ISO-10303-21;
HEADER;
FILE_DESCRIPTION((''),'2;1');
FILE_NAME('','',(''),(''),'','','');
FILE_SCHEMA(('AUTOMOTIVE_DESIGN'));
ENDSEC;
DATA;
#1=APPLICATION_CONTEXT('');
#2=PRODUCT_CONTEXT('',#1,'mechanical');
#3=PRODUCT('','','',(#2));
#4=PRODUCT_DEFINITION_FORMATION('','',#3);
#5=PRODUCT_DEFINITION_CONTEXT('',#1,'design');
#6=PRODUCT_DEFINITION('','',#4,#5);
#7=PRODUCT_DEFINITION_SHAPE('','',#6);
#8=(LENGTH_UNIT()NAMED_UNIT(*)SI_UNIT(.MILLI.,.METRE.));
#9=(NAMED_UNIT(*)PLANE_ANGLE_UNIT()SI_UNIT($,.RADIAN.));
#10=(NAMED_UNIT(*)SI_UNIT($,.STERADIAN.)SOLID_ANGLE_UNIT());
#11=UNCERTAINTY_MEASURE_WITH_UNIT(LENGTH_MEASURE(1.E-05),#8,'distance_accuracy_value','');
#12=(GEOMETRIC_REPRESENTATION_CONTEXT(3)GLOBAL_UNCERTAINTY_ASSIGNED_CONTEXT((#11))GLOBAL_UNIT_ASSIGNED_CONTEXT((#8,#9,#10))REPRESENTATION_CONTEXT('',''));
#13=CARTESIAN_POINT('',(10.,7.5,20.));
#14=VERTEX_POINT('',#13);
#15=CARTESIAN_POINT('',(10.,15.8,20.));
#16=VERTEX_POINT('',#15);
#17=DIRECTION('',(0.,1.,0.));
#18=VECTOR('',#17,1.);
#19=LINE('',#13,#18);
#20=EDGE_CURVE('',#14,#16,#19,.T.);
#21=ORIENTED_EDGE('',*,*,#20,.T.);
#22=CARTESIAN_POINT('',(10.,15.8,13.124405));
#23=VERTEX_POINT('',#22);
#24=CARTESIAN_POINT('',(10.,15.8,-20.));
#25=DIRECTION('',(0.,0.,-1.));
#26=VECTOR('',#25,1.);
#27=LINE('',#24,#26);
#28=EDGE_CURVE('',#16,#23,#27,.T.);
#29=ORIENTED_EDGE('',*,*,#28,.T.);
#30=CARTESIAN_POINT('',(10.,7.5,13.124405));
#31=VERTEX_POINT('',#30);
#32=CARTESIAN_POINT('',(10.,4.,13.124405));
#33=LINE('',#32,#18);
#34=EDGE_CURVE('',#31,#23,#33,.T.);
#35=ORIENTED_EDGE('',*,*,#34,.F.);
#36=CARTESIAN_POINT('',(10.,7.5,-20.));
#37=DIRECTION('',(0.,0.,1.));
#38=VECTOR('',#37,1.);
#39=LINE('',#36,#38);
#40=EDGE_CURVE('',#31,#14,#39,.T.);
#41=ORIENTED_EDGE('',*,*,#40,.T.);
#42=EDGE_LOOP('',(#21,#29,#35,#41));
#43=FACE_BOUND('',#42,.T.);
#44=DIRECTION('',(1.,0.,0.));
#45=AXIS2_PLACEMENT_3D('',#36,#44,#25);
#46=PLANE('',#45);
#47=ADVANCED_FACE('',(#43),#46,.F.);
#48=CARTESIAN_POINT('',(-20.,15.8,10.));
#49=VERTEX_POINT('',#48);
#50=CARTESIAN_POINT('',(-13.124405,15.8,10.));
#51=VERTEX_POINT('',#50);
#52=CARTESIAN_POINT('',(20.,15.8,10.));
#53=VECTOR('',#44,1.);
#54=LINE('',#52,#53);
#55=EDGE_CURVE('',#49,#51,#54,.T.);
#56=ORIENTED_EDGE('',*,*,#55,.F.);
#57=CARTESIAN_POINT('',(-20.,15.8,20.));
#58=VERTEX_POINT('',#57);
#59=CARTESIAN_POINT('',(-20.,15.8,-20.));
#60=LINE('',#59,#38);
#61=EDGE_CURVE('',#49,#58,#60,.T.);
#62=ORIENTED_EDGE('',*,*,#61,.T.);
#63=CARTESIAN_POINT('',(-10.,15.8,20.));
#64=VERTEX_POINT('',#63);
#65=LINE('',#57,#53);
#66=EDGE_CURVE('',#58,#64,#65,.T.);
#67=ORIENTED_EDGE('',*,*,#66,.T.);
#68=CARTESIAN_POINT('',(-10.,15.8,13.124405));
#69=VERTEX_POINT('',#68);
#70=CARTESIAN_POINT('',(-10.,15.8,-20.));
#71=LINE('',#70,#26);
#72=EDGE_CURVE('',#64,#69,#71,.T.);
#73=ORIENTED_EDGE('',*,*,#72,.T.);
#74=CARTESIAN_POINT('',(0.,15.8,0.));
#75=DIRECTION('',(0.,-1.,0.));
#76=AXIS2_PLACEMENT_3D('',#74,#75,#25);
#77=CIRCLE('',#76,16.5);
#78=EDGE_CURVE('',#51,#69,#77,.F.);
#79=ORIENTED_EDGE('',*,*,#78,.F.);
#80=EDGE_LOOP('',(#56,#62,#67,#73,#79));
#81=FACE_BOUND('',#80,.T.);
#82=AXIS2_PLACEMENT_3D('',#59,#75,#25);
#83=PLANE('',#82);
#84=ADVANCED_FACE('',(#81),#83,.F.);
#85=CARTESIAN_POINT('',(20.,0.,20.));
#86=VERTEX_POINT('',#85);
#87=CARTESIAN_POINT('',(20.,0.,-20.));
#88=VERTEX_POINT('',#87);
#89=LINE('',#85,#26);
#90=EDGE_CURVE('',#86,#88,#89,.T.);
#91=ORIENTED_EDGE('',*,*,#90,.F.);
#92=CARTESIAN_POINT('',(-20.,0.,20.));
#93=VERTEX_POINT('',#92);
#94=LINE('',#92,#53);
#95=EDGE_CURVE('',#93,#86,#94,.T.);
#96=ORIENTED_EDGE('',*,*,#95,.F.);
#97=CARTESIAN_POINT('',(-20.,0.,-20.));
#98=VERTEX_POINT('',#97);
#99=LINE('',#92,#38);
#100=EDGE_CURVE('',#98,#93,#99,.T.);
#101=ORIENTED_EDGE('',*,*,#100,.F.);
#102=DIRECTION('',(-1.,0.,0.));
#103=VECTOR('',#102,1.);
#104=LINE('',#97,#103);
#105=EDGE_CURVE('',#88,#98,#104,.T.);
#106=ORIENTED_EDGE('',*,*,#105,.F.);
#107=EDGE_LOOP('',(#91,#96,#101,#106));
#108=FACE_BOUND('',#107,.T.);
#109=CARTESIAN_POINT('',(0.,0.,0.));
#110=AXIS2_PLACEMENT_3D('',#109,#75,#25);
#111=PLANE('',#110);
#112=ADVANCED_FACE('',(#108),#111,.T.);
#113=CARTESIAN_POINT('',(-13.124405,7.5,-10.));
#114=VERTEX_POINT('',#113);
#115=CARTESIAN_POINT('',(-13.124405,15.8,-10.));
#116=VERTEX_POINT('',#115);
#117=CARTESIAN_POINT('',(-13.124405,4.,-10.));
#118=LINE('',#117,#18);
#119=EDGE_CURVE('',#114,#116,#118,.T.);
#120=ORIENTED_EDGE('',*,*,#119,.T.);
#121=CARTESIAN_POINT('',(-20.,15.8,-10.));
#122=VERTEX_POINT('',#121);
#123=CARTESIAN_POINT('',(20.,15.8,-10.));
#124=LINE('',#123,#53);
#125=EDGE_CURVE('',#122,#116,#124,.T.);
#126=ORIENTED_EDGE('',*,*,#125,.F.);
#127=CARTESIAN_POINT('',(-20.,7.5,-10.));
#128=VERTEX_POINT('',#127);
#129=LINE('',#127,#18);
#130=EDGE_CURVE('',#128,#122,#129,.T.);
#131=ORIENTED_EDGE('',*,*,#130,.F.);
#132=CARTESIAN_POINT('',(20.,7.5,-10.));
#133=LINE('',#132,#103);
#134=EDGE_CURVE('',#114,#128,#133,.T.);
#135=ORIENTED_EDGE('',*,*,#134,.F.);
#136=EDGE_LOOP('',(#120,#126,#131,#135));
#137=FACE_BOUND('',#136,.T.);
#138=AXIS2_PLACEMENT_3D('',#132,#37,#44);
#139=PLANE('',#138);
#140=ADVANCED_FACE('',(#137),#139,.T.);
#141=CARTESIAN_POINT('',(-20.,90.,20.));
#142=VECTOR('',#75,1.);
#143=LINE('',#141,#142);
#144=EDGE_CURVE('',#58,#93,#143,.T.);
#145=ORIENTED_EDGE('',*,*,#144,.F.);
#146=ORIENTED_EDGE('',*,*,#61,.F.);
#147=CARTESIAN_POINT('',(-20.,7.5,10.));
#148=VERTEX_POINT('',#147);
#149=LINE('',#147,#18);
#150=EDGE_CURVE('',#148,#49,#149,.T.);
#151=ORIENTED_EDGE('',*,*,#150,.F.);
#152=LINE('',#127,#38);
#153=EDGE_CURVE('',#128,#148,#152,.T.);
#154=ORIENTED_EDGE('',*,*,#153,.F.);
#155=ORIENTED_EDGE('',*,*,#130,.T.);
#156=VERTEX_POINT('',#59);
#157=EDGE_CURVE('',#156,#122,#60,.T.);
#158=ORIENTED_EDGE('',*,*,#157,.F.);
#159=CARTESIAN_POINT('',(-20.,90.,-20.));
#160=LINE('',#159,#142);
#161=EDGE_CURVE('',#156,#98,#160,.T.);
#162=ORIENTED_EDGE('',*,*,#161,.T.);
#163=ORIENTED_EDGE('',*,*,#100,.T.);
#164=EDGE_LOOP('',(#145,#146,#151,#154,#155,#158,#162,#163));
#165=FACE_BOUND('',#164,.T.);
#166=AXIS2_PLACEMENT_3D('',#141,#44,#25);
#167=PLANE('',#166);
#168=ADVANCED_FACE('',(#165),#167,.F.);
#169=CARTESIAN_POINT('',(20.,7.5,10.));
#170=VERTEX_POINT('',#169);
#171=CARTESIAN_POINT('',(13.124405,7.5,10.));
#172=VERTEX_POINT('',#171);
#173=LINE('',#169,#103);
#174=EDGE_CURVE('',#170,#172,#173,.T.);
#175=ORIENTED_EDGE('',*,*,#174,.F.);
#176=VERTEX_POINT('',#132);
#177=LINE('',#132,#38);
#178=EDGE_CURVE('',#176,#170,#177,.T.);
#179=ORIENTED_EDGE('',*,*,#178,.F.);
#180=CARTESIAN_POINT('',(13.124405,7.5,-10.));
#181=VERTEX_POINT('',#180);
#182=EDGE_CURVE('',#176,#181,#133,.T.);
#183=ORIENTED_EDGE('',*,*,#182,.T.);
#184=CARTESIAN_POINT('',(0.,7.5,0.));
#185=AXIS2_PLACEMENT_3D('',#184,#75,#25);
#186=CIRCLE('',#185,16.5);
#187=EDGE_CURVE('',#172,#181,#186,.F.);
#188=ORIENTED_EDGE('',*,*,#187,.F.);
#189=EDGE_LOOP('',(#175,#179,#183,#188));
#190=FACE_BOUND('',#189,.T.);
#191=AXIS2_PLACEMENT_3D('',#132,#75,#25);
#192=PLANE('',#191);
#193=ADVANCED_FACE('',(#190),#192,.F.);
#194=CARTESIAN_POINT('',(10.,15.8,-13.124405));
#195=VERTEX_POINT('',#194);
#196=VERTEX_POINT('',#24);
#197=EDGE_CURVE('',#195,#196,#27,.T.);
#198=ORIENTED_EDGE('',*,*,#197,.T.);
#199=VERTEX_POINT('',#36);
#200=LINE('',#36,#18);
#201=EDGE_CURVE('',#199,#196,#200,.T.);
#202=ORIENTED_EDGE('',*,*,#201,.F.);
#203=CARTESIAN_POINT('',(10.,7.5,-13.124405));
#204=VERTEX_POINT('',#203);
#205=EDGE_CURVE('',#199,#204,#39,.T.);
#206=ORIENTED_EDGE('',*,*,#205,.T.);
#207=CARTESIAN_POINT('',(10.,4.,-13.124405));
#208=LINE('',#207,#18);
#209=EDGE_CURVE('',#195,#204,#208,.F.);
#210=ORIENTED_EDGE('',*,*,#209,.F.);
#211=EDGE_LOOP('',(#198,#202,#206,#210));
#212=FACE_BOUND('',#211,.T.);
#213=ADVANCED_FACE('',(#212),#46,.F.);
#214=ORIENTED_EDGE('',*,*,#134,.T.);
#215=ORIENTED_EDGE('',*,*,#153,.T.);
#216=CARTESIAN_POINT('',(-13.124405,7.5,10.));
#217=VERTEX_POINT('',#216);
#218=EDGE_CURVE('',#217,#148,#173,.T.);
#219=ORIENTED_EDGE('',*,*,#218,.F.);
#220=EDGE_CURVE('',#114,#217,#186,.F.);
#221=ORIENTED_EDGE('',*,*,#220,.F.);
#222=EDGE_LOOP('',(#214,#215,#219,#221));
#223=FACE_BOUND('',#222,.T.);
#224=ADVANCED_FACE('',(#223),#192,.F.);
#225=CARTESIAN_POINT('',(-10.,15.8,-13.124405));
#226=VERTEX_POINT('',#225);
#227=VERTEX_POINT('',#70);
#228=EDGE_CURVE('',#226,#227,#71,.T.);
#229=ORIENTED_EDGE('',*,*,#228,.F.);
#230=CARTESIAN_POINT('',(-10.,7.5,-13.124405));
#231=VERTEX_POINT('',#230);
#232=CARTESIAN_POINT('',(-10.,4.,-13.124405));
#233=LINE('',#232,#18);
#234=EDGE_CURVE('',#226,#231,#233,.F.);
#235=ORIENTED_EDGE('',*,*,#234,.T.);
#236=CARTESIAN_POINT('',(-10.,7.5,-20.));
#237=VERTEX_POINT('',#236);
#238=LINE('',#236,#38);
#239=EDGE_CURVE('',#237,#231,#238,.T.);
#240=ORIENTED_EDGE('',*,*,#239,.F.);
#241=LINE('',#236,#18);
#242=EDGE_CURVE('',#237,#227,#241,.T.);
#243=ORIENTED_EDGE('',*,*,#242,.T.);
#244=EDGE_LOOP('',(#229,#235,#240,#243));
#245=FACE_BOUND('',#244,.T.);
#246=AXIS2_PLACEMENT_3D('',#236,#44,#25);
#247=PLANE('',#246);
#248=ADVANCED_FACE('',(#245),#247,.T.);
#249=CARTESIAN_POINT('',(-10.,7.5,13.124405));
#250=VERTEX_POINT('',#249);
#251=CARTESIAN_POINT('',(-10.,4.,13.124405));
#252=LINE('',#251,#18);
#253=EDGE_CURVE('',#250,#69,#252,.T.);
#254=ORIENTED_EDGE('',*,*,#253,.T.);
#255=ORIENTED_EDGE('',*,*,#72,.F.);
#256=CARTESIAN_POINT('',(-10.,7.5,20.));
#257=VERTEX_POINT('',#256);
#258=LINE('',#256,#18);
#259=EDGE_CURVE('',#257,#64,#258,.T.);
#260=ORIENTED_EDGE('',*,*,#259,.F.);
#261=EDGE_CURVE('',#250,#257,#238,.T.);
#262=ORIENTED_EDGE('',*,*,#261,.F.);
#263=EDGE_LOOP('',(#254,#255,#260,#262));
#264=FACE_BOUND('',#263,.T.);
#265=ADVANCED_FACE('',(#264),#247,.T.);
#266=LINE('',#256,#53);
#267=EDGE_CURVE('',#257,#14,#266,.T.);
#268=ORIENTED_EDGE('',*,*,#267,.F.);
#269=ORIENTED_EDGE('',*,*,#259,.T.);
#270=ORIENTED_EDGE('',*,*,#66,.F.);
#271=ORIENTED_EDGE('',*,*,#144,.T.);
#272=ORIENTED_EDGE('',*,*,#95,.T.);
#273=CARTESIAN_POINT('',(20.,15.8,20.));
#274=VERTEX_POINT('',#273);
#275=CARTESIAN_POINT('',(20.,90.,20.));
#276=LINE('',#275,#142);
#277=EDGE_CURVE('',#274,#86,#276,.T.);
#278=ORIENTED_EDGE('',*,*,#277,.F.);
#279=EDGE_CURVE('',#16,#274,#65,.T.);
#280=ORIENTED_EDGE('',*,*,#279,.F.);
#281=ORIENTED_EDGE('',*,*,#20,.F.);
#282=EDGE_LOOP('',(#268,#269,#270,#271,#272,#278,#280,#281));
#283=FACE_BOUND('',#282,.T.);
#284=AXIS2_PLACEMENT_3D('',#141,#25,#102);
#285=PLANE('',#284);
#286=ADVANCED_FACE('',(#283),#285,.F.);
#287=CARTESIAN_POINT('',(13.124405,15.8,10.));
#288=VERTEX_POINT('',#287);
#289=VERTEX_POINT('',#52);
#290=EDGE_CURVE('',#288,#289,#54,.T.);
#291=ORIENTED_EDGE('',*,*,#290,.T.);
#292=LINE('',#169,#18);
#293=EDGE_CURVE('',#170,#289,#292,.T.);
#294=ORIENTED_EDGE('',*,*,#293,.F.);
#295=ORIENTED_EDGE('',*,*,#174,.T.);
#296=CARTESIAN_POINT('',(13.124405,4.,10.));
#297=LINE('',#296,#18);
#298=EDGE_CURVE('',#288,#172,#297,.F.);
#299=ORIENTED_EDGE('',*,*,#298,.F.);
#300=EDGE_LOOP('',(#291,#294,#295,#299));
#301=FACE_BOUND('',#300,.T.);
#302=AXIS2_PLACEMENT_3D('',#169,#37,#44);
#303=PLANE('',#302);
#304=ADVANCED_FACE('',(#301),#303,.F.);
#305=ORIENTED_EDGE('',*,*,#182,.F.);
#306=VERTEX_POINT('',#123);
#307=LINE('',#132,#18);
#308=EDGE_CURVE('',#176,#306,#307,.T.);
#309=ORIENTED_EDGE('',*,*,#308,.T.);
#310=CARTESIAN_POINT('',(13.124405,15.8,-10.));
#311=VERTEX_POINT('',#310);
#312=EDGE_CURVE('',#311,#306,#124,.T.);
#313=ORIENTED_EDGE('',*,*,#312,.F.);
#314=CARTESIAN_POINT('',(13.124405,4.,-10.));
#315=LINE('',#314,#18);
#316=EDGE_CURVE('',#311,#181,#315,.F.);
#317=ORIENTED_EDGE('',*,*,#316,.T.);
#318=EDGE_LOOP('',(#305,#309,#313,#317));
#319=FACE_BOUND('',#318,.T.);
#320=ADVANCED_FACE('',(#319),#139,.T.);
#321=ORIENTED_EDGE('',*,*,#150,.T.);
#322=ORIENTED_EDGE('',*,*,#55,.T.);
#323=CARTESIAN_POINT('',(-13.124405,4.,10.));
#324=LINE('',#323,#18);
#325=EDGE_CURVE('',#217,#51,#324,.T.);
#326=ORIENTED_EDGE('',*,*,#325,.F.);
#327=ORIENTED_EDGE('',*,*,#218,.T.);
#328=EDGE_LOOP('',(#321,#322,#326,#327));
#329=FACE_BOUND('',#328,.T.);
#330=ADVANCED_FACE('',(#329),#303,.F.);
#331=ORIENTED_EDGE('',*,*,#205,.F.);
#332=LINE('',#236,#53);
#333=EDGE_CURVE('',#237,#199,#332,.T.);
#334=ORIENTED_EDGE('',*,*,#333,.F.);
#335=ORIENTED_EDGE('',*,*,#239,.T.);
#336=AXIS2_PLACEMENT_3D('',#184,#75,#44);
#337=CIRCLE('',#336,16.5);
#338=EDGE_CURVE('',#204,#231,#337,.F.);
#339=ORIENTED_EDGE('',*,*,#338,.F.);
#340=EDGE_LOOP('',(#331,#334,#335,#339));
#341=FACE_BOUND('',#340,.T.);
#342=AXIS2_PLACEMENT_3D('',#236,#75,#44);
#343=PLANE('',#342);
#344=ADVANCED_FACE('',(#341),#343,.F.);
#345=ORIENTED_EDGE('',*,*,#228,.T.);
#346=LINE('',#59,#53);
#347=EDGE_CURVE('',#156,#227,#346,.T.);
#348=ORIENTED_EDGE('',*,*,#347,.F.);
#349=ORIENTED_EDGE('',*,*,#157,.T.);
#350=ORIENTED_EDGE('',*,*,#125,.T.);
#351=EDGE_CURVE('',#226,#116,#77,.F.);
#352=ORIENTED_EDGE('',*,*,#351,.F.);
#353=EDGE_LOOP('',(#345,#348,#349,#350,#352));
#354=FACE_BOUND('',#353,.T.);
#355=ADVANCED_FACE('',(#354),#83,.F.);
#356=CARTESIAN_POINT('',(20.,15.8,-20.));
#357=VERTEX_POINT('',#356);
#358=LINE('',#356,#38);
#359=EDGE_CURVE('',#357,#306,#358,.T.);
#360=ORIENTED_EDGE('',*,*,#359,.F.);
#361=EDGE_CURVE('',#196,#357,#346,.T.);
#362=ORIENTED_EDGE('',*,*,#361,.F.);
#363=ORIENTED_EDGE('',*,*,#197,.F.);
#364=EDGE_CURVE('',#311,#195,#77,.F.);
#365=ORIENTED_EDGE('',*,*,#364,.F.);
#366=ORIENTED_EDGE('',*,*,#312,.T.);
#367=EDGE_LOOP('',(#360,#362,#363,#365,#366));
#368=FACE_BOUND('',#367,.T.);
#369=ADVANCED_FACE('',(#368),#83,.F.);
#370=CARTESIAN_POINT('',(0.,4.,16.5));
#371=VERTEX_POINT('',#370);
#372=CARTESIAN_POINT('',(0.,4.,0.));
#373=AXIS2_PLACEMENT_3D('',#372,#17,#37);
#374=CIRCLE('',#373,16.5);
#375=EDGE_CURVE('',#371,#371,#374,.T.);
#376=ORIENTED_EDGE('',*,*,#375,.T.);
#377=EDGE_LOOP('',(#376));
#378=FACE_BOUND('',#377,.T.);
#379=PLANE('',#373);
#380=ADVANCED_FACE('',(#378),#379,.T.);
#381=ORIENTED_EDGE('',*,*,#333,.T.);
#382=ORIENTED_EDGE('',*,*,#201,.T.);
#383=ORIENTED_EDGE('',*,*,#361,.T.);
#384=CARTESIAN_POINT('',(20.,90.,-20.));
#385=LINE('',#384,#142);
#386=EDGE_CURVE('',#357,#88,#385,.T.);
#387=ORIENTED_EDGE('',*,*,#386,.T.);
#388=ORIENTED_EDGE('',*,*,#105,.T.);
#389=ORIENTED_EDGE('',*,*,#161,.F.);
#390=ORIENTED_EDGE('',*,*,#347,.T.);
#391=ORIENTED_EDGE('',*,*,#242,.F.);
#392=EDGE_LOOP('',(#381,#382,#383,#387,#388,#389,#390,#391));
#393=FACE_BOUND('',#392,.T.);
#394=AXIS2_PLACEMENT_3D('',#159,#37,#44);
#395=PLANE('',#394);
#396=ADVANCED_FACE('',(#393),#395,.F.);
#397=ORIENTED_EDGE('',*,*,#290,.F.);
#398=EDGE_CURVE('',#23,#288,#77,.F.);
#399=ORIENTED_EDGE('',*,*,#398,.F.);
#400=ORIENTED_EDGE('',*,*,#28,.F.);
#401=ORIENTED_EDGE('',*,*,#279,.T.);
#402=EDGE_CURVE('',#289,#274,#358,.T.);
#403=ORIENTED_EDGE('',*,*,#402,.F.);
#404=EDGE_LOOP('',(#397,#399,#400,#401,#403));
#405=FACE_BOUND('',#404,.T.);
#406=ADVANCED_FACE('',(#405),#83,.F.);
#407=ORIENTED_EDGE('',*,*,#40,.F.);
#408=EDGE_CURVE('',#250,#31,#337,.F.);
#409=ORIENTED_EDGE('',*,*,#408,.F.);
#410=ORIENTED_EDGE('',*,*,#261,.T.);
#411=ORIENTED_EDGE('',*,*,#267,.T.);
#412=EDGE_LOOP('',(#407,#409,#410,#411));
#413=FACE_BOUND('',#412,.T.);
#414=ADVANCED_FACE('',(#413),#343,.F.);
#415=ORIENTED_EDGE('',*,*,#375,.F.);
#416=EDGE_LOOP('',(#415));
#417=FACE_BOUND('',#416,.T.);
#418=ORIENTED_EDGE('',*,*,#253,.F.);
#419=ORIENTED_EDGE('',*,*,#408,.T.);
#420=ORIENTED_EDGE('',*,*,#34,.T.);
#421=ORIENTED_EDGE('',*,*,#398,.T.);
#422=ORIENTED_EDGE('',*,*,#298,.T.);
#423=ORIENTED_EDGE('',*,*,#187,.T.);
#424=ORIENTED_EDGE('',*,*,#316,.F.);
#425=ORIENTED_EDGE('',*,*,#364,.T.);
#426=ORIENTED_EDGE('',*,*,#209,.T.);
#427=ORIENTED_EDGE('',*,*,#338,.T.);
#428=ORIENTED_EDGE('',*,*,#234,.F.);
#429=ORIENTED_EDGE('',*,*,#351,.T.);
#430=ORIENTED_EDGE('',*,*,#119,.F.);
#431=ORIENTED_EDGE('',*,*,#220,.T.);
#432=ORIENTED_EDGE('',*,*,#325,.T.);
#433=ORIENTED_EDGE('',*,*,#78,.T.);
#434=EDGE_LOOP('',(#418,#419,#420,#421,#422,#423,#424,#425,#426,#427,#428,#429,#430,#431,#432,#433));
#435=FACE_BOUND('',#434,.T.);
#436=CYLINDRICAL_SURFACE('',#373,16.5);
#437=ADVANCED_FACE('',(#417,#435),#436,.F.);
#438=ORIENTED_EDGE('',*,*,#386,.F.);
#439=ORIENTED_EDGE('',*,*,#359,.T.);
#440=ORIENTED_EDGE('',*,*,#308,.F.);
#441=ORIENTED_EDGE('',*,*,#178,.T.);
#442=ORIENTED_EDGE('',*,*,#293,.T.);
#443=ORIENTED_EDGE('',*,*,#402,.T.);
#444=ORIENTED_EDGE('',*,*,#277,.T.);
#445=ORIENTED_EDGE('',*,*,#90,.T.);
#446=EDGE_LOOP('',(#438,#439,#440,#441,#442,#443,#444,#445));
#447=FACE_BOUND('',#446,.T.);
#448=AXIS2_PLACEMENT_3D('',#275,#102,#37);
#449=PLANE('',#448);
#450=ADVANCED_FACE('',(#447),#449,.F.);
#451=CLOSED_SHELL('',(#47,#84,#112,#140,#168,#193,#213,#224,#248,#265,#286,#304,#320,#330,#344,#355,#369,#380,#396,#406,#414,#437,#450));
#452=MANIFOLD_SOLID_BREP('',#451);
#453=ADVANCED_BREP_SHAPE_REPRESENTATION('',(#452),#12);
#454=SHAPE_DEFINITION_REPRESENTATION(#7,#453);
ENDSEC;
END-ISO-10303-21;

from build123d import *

# Parameters (mm, degrees)
SKETCH1_W           = 40
SKETCH1_H           = 40
BOSS_EXTRUDE1_DEPTH = 90
SKETCH2_R           = 18.5
CUT_EXTRUDE1_DEPTH  = 45
SKETCH3_R           = 16.5
CUT_EXTRUDE2_DEPTH  = 41
SKETCH4_W           = 40
SKETCH4_H           = 40
CUT_EXTRUDE3_DEPTH  = 21
SKETCH6_W           = 20
SKETCH6_H           = 15
CUT_EXTRUDE4_DEPTH  = 83.225300243
SKETCH8_W           = 20
SKETCH8_H           = 15
CUT_EXTRUDE5_DEPTH  = 83.225300243
SKETCH11_W          = 40
SKETCH11_H          = 53.2
CUT_EXTRUDE7_DEPTH  = 83.225300243


with BuildPart() as part:
    # Sketch1 → Boss-Extrude1 (new body)
    with BuildSketch(Plane(origin=(0, 0, 0), x_dir=(1, 0, 0), z_dir=(0, 1, 0))):
        Rectangle(SKETCH1_W, SKETCH1_H)
    extrude(amount=BOSS_EXTRUDE1_DEPTH)

    # Sketch2 → Cut-Extrude1 (cut)
    with BuildSketch(Plane(origin=(0, 90, 0), x_dir=(1, 0, 0), z_dir=(0, 1, 0))):
        with Locations(Location((0, 0, 0), (0, 0, 270))):
            Circle(SKETCH2_R)
    extrude(amount=-CUT_EXTRUDE1_DEPTH, mode=Mode.SUBTRACT)

    # Sketch3 → Cut-Extrude2 (cut)
    with BuildSketch(Plane(origin=(0, 45, 0), x_dir=(1, 0, 0), z_dir=(0, 1, 0))):
        with Locations(Location((0, 0, 0), (0, 0, 270))):
            Circle(SKETCH3_R)
    extrude(amount=-CUT_EXTRUDE2_DEPTH, mode=Mode.SUBTRACT)

    # Sketch4 → Cut-Extrude3 (cut)
    with BuildSketch(Plane(origin=(0, 90, 0), x_dir=(1, 0, 0), z_dir=(0, 1, 0))):
        Rectangle(SKETCH4_W, SKETCH4_H)
    extrude(amount=-CUT_EXTRUDE3_DEPTH, mode=Mode.SUBTRACT)

    # Sketch6 → Cut-Extrude4 (cut, through all)
    with BuildSketch(Plane.XY.offset(20)):
        with Locations((0, 15)):
            Rectangle(SKETCH6_W, SKETCH6_H)
    extrude(amount=-CUT_EXTRUDE4_DEPTH, mode=Mode.SUBTRACT)

    # Sketch8 → Cut-Extrude5 (cut, through all)
    with BuildSketch(Plane.ZY.offset(20)):
        with Locations((0, 15)):
            Rectangle(SKETCH8_W, SKETCH8_H)
    extrude(amount=-CUT_EXTRUDE5_DEPTH, mode=Mode.SUBTRACT)

    # Sketch11 → Cut-Extrude7 (cut, through all)
    with BuildSketch(Plane.XY.offset(20)):
        with Locations((0, 42.4)):
            Rectangle(SKETCH11_W, SKETCH11_H)
    extrude(amount=-CUT_EXTRUDE7_DEPTH, mode=Mode.SUBTRACT)


solid = part.part
